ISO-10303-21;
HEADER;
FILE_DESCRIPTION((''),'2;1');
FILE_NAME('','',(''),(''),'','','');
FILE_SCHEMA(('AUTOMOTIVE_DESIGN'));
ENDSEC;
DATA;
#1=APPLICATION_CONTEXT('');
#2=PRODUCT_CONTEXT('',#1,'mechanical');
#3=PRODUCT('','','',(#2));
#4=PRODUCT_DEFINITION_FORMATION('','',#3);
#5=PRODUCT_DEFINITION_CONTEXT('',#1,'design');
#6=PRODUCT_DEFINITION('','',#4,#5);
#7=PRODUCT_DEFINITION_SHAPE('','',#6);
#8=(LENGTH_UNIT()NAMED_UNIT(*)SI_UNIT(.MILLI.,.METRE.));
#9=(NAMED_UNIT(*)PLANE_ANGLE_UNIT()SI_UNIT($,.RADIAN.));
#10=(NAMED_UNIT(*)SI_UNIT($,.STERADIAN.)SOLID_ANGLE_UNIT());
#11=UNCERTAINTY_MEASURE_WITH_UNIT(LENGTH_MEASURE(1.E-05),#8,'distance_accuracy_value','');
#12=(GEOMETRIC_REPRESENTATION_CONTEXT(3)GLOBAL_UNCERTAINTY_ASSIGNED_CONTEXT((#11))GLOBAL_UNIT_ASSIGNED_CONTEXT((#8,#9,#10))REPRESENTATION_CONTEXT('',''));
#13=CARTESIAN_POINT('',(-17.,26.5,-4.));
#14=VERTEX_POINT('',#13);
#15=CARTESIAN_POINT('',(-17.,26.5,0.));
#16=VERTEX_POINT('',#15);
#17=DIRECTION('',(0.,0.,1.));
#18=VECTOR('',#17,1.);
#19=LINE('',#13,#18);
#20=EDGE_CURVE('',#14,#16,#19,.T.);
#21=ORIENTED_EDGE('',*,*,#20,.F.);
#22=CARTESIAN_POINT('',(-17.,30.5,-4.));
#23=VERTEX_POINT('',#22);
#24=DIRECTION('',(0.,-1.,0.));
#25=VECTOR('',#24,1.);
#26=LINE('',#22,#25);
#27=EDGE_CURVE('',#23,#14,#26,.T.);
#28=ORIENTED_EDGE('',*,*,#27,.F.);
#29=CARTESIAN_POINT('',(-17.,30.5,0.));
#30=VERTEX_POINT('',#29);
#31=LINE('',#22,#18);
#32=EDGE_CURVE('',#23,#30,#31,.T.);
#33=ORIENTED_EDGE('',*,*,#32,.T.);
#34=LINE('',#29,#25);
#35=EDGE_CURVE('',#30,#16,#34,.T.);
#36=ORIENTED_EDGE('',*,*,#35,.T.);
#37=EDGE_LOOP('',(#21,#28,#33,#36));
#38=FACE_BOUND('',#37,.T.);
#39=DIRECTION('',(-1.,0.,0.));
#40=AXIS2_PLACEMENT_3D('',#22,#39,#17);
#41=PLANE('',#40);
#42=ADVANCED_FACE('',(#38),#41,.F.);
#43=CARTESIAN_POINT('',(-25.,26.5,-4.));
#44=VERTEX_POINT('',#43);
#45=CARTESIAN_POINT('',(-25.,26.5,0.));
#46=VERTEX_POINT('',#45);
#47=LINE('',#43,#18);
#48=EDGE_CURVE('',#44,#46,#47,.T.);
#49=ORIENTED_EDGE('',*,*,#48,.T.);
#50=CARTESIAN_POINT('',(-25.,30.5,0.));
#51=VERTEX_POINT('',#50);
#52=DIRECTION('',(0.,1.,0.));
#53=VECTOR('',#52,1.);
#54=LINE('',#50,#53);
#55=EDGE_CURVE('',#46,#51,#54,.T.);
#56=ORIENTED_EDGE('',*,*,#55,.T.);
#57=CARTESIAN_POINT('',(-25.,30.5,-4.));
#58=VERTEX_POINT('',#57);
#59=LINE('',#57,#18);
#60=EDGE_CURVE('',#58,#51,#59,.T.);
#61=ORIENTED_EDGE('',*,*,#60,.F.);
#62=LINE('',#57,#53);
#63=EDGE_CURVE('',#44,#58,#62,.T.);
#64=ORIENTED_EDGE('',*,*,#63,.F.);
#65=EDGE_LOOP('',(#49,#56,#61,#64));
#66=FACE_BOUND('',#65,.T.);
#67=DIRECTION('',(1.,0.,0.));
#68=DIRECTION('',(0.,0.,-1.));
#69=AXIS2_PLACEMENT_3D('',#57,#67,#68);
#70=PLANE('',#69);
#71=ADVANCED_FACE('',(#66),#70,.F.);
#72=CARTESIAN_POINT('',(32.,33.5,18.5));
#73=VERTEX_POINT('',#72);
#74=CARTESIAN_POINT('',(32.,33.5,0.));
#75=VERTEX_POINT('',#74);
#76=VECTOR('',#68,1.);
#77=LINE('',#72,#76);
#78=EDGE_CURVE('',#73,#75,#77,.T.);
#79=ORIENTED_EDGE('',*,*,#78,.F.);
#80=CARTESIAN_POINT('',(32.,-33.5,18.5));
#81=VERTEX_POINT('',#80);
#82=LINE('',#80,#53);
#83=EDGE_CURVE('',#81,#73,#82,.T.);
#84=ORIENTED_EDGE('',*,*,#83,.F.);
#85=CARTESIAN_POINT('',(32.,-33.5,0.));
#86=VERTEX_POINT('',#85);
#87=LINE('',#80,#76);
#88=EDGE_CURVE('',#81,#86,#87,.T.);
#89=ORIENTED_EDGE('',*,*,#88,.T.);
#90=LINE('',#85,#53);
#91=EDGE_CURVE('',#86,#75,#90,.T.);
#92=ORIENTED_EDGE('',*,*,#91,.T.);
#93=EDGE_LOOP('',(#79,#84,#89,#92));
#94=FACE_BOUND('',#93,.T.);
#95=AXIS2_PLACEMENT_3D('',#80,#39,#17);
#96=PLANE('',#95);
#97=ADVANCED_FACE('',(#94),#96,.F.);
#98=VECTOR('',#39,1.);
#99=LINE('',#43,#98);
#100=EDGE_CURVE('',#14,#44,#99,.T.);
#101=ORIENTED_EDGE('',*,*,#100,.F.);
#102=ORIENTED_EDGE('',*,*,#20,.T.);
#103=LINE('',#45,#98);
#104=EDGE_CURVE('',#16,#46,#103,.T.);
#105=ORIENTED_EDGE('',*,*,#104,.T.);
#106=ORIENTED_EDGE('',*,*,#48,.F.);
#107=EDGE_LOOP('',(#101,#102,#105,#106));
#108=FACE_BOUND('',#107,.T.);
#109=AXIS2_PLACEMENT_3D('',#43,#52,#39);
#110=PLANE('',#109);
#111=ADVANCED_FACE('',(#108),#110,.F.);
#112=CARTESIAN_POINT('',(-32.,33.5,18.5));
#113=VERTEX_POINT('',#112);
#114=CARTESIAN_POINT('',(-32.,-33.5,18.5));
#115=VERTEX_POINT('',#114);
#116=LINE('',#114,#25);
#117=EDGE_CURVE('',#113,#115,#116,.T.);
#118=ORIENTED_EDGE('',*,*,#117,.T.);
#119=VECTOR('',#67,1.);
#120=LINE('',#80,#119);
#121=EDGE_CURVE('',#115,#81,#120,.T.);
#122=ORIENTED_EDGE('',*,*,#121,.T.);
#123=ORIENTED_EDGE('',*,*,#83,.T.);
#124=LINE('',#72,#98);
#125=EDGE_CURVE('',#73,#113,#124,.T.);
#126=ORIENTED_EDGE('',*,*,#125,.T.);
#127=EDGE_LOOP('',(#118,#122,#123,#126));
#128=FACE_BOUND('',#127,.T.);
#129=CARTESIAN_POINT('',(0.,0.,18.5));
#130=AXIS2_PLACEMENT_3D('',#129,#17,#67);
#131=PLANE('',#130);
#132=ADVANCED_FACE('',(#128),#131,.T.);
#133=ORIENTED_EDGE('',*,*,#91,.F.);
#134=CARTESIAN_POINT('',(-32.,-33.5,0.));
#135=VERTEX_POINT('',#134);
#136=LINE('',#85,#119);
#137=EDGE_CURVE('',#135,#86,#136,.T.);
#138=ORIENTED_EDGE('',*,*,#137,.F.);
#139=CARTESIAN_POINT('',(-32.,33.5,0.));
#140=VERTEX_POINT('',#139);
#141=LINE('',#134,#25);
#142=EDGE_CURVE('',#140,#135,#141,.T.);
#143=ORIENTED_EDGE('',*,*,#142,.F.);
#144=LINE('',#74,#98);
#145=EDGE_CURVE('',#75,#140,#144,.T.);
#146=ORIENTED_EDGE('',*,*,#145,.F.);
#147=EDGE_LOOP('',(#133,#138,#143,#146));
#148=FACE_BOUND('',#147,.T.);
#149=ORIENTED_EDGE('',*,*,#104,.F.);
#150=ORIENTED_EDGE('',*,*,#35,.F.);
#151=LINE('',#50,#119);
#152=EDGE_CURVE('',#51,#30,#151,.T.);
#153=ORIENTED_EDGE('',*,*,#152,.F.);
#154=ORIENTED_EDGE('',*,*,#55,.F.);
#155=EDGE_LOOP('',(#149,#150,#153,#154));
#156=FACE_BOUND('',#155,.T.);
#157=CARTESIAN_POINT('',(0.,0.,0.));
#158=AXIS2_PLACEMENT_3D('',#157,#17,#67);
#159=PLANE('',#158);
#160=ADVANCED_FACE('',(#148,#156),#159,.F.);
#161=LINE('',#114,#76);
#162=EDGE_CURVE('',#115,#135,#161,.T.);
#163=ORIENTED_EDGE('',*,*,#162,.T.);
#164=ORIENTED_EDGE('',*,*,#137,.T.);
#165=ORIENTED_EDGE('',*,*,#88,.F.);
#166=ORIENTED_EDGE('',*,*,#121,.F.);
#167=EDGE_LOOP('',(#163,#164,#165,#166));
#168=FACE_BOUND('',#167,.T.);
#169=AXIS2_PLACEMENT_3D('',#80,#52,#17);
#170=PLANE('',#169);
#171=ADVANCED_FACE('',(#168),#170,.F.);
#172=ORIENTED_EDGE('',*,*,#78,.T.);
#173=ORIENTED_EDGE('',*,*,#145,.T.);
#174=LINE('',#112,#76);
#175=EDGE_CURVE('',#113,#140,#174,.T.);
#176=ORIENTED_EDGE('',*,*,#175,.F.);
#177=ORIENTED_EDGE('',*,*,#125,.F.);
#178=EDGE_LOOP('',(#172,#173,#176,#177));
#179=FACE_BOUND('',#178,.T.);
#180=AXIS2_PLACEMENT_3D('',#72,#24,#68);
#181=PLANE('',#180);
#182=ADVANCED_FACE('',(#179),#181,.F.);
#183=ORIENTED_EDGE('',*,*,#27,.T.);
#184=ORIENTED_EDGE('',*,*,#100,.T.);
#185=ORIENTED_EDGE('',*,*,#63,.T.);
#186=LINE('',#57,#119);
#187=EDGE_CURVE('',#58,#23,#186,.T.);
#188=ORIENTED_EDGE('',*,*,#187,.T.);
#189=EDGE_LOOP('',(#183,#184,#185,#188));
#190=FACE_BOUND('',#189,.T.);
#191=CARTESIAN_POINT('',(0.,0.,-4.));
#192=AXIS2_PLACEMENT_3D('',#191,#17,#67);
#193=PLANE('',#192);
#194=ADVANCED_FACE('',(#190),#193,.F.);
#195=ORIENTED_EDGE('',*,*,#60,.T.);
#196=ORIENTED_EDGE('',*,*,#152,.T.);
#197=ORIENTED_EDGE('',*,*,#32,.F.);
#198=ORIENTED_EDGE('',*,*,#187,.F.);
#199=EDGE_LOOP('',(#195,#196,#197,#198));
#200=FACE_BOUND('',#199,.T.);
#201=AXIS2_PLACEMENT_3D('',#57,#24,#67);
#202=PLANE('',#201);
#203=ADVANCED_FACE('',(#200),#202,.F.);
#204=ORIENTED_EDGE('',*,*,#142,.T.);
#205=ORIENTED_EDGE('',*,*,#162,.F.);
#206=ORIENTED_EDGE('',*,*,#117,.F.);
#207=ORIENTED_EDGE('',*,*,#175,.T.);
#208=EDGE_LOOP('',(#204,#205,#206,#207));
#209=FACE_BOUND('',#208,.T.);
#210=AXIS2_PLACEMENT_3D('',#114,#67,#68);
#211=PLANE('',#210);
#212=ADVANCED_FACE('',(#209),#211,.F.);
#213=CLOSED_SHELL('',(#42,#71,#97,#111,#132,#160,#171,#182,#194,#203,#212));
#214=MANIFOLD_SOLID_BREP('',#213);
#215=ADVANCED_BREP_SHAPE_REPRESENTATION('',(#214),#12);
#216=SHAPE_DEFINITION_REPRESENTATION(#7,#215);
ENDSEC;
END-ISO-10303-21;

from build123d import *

# Parameters (mm, degrees)
ESQUISSE1_W        = 64
ESQUISSE1_H        = 67
BOSS_EXTRU_1_DEPTH = 18.5
ESQUISSE2_W        = 8
ESQUISSE2_H        = 4
BOSS_EXTRU_2_DEPTH = 4


with BuildPart() as part:
    # Esquisse1 → Boss.-Extru.1 (new body)
    with BuildSketch(Plane.XY):
        Rectangle(ESQUISSE1_W, ESQUISSE1_H)
    extrude(amount=BOSS_EXTRU_1_DEPTH)

    # Esquisse2 → Boss.-Extru.2 (add)
    with BuildSketch(Plane(origin=(0, 0, 0), x_dir=(-1, 0, 0), z_dir=(0, 0, -1))):
        with Locations((21, 28.5)):
            Rectangle(ESQUISSE2_W, ESQUISSE2_H)
    extrude(amount=BOSS_EXTRU_2_DEPTH)


solid = part.part
